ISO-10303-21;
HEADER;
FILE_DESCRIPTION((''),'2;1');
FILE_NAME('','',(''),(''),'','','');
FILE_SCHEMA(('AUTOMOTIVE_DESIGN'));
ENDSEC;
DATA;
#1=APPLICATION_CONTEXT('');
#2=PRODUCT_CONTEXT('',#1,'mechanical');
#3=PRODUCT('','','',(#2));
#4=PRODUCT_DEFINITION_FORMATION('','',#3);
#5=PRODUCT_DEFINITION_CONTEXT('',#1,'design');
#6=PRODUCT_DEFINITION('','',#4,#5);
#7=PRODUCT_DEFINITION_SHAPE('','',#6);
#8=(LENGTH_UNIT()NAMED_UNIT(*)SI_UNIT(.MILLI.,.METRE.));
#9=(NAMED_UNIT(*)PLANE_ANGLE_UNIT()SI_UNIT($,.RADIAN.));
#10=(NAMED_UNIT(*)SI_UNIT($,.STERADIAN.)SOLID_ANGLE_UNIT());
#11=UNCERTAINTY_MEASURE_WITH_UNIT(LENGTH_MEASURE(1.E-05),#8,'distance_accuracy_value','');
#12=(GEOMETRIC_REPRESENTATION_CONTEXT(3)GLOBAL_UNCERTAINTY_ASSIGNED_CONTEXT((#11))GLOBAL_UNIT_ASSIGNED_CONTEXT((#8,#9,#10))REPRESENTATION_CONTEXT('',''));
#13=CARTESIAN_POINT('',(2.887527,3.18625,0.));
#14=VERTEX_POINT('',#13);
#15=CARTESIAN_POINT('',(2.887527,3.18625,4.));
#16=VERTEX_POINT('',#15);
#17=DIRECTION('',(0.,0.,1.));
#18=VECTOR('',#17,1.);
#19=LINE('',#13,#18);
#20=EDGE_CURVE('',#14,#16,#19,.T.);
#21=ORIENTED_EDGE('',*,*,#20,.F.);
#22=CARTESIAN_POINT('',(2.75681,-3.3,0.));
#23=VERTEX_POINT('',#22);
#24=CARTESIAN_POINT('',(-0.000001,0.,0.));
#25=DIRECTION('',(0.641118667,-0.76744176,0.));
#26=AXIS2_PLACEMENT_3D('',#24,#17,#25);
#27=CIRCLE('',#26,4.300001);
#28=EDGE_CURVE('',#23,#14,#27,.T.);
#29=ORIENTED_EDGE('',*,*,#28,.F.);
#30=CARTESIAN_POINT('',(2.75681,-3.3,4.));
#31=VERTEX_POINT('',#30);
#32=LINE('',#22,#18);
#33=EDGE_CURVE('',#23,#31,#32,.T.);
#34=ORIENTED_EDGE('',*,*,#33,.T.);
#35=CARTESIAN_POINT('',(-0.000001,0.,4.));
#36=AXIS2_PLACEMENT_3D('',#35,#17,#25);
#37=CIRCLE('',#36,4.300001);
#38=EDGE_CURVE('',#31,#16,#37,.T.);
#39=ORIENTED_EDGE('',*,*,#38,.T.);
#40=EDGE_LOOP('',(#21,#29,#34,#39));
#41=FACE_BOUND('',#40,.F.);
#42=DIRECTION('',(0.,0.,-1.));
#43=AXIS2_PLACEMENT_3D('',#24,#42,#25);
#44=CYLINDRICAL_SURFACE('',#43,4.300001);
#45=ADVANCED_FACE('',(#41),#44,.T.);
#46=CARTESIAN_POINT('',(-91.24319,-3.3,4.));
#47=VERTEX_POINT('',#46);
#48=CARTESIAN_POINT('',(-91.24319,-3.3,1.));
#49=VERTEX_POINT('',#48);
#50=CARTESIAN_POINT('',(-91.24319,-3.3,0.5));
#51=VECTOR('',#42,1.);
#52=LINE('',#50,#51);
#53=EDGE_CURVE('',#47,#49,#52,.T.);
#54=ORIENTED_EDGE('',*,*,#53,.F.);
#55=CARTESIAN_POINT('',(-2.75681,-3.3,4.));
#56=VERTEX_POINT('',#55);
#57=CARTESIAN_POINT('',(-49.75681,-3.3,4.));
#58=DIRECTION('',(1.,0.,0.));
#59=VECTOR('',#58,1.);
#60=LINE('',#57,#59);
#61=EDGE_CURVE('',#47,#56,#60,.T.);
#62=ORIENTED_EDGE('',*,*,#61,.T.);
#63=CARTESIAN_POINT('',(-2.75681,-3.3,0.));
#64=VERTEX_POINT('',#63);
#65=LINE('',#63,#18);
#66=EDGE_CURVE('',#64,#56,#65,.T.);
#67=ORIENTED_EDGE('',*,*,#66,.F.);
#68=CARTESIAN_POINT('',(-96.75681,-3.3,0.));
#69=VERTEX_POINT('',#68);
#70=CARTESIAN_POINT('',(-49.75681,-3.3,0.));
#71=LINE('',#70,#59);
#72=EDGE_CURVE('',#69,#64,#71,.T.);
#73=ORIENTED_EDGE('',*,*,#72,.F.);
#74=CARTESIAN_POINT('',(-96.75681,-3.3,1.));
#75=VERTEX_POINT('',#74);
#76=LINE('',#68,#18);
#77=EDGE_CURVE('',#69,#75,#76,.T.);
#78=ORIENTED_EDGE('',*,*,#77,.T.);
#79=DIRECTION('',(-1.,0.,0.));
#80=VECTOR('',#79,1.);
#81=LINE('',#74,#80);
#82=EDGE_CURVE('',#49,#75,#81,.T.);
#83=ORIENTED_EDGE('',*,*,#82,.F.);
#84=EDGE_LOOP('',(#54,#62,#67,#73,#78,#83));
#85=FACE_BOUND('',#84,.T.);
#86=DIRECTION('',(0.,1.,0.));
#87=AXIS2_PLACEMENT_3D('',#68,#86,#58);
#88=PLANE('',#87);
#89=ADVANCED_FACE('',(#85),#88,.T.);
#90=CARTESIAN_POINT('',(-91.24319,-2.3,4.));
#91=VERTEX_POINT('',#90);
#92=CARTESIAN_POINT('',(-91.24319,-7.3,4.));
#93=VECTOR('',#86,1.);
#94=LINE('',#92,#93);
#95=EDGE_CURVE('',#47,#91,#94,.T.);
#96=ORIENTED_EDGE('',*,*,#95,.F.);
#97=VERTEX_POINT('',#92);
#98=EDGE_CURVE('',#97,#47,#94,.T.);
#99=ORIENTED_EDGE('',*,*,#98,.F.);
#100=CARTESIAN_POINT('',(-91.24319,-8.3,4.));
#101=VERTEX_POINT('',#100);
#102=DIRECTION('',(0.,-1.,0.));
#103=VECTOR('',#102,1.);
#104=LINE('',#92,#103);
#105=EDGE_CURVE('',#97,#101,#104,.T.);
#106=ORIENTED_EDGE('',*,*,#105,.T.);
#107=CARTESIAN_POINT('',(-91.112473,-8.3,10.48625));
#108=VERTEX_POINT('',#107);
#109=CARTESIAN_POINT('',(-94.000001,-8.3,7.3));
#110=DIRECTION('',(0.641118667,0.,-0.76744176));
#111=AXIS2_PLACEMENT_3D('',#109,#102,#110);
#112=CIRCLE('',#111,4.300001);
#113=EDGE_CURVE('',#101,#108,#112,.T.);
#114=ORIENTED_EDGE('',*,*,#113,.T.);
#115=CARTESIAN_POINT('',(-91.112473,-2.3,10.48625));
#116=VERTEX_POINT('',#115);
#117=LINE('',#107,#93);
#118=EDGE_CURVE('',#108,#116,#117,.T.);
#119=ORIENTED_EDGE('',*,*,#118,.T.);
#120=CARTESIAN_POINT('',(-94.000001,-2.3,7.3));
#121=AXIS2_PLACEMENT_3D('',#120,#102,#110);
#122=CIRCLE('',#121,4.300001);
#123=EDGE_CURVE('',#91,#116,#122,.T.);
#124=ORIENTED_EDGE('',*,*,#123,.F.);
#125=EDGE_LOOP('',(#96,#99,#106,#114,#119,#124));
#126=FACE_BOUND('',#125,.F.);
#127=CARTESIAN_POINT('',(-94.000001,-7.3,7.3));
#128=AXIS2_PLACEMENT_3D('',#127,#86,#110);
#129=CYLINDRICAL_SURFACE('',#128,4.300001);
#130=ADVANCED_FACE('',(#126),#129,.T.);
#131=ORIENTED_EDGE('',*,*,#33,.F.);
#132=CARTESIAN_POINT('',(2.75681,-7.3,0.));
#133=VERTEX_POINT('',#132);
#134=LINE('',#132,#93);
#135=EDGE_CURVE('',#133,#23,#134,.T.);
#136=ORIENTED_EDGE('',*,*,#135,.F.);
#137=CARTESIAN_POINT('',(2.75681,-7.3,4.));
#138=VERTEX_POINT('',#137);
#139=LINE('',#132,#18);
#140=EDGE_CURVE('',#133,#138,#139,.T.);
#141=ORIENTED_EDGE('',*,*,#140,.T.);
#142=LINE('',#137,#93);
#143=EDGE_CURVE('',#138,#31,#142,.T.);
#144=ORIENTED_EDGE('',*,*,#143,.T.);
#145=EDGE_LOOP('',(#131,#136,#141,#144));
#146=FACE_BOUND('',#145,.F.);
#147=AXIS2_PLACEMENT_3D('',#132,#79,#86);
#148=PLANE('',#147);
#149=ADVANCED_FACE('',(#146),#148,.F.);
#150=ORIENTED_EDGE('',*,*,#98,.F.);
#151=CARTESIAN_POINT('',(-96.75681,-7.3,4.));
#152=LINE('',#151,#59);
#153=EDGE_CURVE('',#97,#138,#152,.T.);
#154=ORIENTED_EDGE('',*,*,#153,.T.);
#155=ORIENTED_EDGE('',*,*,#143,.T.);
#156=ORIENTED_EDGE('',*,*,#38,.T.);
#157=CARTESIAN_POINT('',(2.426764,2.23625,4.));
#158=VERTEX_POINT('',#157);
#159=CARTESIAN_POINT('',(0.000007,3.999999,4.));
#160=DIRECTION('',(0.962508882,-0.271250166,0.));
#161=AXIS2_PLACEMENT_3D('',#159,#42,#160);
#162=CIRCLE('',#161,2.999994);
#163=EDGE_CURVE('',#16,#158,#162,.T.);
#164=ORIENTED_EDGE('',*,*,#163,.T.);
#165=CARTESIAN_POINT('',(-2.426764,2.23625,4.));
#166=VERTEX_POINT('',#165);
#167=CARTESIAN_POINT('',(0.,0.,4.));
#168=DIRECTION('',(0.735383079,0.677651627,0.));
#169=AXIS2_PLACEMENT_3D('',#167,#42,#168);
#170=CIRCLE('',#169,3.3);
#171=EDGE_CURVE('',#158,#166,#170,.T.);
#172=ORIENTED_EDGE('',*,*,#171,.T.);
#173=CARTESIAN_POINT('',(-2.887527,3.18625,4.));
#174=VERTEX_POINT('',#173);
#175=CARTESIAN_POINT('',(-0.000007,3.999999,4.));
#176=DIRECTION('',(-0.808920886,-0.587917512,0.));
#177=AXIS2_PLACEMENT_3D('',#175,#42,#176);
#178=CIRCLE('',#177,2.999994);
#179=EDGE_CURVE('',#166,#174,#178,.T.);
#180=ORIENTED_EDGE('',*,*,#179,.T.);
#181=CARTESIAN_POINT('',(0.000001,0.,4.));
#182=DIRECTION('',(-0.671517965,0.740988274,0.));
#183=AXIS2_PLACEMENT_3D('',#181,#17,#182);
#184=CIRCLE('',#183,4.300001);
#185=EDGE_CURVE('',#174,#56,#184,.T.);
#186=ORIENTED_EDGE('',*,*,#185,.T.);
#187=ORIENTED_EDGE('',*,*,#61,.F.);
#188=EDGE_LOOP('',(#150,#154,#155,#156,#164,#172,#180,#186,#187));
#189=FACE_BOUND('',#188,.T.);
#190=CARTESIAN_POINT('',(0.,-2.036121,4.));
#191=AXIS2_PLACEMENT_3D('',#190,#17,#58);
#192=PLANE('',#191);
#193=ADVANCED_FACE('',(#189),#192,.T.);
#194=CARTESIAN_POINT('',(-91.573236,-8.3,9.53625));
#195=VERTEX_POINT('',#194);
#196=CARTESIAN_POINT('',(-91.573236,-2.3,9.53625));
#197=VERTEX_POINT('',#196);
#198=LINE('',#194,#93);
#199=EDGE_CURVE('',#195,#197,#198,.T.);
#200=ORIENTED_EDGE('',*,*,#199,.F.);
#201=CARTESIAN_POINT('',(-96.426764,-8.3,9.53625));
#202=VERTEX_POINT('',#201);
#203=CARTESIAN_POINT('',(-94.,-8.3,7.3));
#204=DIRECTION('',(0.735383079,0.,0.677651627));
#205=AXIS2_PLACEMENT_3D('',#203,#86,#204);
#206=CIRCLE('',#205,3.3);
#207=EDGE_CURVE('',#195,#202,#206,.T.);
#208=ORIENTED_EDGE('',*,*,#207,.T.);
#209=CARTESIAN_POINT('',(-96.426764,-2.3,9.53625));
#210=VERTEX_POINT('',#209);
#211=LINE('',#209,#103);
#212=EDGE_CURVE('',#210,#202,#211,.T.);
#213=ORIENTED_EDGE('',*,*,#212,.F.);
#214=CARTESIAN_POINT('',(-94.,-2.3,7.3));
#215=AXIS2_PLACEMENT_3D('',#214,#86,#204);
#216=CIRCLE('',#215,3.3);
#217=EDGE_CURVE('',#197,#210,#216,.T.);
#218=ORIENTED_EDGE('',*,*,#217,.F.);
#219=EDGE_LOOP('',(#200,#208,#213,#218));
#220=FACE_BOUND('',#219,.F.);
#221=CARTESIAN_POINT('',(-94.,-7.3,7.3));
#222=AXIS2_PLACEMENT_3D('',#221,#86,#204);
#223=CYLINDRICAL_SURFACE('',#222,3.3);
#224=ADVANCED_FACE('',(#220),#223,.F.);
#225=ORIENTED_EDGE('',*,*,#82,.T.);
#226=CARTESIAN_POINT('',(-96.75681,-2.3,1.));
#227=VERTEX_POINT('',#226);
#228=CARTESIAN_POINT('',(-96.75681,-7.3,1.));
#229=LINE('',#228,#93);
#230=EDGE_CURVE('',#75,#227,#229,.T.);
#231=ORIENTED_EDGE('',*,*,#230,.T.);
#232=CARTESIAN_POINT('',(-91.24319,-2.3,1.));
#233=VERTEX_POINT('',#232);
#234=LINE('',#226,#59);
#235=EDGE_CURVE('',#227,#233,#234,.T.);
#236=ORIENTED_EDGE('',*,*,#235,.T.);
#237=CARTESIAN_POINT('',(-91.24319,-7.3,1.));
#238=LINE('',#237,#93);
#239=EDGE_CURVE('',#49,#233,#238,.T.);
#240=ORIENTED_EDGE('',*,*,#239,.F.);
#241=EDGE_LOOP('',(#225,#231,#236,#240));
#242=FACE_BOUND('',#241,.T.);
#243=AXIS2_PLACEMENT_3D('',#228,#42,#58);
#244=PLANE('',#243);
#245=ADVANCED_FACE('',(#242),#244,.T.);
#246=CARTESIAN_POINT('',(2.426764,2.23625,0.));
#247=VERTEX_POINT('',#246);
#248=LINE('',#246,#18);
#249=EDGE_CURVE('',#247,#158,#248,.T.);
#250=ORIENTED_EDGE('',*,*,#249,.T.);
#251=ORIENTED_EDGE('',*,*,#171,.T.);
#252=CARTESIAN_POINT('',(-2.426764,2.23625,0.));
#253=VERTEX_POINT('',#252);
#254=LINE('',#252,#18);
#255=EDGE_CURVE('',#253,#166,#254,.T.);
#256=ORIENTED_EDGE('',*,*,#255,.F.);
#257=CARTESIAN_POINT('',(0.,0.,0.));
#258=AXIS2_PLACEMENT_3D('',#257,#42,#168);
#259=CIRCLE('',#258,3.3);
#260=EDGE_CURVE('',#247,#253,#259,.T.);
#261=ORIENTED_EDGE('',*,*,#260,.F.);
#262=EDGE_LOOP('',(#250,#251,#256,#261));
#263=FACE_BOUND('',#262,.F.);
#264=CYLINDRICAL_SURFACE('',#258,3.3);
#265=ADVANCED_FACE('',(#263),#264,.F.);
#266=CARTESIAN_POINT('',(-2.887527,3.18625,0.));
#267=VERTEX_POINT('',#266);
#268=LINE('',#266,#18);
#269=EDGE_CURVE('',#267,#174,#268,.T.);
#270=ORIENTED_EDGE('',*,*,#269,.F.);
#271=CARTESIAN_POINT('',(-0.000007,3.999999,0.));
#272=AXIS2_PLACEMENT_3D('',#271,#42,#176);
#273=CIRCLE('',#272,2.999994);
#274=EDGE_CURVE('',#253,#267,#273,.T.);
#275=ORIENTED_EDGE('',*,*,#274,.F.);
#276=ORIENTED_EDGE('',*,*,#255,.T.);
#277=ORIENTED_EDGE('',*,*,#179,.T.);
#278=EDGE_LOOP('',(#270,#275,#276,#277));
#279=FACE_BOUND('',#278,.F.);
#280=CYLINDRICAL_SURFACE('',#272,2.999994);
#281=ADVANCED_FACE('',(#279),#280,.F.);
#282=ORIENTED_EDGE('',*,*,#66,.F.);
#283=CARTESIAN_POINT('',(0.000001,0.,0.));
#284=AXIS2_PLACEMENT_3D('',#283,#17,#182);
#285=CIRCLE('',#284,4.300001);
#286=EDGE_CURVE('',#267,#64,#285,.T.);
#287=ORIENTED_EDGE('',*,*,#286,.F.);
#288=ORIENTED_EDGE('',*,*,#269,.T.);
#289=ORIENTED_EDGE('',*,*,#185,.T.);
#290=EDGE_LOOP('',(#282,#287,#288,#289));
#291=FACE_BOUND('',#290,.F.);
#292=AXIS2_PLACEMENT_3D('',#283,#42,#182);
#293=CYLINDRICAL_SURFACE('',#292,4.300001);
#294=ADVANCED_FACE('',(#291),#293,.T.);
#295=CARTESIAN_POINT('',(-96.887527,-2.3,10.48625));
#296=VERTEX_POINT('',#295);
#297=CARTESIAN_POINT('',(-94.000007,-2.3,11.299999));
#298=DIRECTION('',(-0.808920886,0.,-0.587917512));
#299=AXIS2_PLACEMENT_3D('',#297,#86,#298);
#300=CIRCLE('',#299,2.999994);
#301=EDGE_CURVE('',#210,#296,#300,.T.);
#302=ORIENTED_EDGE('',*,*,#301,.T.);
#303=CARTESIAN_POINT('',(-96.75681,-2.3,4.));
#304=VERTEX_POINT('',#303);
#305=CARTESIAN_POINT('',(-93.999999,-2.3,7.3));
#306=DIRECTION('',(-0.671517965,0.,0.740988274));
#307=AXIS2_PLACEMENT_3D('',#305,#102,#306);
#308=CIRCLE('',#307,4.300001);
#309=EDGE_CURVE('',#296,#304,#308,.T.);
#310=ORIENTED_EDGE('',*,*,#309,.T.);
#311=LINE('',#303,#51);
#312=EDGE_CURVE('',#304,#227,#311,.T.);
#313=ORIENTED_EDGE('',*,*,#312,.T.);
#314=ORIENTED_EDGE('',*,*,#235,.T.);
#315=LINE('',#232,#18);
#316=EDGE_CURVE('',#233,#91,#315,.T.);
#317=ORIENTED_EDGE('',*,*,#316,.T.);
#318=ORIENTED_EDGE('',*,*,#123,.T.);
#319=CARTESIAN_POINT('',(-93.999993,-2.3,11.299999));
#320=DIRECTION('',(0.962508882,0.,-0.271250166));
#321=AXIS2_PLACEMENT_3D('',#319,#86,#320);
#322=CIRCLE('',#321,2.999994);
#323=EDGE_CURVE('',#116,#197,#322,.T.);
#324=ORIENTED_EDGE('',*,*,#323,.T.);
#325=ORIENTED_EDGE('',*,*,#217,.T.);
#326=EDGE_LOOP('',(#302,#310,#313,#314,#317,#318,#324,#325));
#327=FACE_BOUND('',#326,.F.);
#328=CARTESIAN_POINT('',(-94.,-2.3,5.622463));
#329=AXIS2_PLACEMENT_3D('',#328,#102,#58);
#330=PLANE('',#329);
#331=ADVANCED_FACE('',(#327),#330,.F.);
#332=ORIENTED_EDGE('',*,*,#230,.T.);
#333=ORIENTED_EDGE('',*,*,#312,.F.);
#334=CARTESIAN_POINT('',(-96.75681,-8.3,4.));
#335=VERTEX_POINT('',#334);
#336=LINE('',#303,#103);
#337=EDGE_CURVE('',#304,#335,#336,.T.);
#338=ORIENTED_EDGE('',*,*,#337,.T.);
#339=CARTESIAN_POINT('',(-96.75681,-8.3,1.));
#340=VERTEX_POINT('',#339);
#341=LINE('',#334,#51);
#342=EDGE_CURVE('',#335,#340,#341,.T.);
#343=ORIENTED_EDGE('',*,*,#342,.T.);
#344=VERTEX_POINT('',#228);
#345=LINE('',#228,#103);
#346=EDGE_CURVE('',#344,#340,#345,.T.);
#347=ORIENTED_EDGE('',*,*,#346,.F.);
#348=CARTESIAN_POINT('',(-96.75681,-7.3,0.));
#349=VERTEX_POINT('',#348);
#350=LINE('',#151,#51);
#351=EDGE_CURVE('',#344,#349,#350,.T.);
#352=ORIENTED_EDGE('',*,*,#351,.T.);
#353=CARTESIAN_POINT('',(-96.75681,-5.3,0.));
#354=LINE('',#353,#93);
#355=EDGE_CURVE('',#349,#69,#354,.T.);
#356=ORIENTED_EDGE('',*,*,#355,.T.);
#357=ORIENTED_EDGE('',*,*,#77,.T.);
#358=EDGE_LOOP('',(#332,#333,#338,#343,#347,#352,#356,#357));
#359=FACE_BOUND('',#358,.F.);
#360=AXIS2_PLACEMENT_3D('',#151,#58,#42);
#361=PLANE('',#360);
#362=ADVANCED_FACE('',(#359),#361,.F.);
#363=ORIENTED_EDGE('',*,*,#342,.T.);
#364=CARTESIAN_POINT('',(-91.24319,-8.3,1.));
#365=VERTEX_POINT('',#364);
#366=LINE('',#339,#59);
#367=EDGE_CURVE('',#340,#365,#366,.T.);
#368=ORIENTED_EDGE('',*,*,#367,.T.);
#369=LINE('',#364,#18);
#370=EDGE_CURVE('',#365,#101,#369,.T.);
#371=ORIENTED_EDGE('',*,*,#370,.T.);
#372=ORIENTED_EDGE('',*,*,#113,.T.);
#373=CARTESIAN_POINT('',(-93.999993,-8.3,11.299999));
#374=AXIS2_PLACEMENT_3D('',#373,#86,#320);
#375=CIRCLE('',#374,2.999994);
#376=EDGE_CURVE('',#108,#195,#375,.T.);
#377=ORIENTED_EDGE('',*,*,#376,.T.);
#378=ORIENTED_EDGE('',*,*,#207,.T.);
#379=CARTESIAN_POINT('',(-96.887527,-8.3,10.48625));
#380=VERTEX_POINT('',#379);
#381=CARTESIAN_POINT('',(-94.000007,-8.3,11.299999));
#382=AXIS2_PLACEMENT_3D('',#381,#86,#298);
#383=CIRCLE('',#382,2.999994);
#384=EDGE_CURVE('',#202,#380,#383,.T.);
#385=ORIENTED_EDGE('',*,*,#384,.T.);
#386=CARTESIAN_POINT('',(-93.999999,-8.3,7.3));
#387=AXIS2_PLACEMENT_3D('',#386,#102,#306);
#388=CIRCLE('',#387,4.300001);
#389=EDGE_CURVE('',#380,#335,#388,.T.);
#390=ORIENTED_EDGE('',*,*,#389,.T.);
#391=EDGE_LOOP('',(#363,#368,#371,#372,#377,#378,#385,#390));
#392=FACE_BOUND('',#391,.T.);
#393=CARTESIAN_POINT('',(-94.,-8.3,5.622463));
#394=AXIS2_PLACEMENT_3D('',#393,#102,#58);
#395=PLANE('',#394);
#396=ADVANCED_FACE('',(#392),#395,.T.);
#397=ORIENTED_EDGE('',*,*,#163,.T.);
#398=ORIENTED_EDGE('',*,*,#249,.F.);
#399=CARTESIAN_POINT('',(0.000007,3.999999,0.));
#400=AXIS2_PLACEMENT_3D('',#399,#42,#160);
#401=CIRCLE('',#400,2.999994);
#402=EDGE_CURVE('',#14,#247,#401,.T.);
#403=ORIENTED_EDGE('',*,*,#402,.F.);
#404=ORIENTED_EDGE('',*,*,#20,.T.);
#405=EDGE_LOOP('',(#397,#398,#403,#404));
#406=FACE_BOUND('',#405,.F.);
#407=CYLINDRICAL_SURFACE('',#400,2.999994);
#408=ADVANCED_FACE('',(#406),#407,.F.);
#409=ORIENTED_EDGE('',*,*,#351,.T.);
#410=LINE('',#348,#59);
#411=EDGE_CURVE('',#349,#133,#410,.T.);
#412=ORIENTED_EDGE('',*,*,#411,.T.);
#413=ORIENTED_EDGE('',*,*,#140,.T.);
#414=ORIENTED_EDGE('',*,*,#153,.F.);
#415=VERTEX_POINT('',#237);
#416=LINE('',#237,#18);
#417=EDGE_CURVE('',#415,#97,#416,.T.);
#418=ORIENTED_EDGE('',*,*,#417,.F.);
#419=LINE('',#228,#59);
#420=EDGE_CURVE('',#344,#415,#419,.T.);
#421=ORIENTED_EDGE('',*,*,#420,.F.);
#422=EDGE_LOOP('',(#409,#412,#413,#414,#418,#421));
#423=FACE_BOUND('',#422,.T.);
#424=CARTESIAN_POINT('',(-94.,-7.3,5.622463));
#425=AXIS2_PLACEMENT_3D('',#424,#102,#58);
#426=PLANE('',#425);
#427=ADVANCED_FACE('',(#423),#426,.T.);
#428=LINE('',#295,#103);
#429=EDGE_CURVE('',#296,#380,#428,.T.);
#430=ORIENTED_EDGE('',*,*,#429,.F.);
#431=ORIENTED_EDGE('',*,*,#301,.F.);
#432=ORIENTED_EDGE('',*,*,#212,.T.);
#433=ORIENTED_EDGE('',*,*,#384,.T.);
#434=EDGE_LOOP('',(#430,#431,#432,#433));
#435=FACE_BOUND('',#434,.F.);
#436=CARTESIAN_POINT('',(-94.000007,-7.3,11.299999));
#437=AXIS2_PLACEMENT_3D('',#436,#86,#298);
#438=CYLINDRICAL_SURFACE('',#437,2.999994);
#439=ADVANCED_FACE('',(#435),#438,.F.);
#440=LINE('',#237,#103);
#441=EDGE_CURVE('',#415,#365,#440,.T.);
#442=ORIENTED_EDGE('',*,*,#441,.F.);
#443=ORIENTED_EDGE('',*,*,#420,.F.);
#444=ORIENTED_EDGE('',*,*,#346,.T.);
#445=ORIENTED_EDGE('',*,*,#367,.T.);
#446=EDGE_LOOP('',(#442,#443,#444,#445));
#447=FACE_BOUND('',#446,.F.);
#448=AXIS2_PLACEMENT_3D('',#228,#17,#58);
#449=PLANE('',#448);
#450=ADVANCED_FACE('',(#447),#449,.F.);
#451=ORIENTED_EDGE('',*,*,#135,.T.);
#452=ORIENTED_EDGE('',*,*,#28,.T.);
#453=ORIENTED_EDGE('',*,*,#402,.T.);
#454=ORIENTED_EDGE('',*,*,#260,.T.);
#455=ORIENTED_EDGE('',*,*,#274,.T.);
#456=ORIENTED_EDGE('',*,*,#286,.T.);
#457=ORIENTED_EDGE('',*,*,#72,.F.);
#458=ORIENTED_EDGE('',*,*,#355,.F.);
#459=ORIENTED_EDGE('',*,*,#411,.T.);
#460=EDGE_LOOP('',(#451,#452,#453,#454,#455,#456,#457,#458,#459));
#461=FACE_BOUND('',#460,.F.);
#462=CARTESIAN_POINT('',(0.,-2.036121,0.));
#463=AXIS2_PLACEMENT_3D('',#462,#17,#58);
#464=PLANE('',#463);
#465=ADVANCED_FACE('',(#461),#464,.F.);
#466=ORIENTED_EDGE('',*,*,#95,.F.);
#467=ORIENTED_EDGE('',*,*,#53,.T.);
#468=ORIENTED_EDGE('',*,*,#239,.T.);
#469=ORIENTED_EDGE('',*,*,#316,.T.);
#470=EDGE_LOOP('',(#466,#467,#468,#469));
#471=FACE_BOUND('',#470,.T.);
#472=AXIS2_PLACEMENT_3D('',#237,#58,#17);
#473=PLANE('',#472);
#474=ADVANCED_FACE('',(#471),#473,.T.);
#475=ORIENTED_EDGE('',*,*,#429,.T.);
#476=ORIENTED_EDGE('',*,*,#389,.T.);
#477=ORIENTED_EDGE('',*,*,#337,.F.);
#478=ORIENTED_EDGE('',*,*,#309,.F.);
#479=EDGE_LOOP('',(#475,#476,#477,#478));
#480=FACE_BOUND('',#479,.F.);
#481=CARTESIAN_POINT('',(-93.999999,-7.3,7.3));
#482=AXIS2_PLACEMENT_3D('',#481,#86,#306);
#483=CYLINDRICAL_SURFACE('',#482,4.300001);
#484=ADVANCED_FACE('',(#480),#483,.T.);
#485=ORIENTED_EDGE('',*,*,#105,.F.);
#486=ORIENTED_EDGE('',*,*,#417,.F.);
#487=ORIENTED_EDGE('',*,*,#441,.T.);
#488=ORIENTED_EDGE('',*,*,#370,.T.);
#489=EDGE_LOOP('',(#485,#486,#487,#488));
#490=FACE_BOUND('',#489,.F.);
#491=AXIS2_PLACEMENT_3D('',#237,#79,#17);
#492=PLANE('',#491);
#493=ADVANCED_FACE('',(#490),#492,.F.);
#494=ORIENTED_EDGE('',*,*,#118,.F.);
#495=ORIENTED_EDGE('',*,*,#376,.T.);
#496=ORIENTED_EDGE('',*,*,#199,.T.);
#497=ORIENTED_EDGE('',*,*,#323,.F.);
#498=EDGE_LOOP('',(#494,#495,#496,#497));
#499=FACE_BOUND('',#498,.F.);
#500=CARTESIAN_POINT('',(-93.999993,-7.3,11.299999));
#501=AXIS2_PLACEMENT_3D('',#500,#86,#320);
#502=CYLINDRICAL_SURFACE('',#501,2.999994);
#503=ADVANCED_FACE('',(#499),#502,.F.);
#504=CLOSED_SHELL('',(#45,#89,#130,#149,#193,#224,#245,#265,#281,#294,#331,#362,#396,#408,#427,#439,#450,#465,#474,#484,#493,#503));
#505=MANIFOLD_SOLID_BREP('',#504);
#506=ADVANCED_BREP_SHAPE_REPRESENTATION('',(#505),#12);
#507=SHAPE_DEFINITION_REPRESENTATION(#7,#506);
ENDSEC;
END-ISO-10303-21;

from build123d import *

# Parameters (mm, degrees)
F0_W     = 94
F0_H     = 4
F1_DEPTH = 4
F3_DEPTH = 5
F4_DEPTH = 1


with BuildPart() as f1:
    # F0 (on Top) → F1 (new body)
    with BuildSketch(Plane.XY):
        with BuildLine():
            ThreePointArc((2.426764, 2.23625), (0, -3.3), (-2.426764, 2.23625))
            ThreePointArc((-2.426764, 2.23625), (-2.699268, 2.69082), (-2.887527, 3.18625))
            ThreePointArc((-2.887527, 3.18625), (-4.299127, -0.08664), (-2.75681, -3.3))
            Line((-2.75681, -3.3), (-2.75681, -7.3))
            Line((-2.75681, -7.3), (2.75681, -7.3))
            Line((2.75681, -7.3), (2.75681, -3.3))
            ThreePointArc((2.75681, -3.3), (4.299127, -0.08664), (2.887527, 3.18625))
            ThreePointArc((2.887527, 3.18625), (2.699268, 2.69082), (2.426764, 2.23625))
        make_face()
        with Locations((-49.75681, -5.3)):
            Rectangle(F0_W, F0_H)
    extrude(amount=F1_DEPTH)

    # F2 (on face) → F3 (join)
    with BuildSketch(Plane.XZ.offset(7.3)):
        with BuildLine():
            ThreePointArc((-91.573236, 9.53625), (-94, 4), (-96.426764, 9.53625))
            ThreePointArc((-96.426764, 9.53625), (-96.699268, 9.99082), (-96.887527, 10.48625))
            ThreePointArc((-96.887527, 10.48625), (-98.299127, 7.21336), (-96.75681, 4))
            Line((-96.75681, 4), (-96.75681, 1))
            Line((-96.75681, 1), (-91.24319, 1))
            Line((-91.24319, 1), (-91.24319, 4))
            ThreePointArc((-91.24319, 4), (-89.700873, 7.21336), (-91.112473, 10.48625))
            ThreePointArc((-91.112473, 10.48625), (-91.300732, 9.99082), (-91.573236, 9.53625))
        make_face()
    extrude(amount=-F3_DEPTH)

    # F2 (on face) → F4 (join)
    with BuildSketch(Plane.XZ.offset(7.3)):
        with BuildLine():
            ThreePointArc((-91.573236, 9.53625), (-94, 4), (-96.426764, 9.53625))
            ThreePointArc((-96.426764, 9.53625), (-96.699268, 9.99082), (-96.887527, 10.48625))
            ThreePointArc((-96.887527, 10.48625), (-98.299127, 7.21336), (-96.75681, 4))
            Line((-96.75681, 4), (-96.75681, 1))
            Line((-96.75681, 1), (-91.24319, 1))
            Line((-91.24319, 1), (-91.24319, 4))
            ThreePointArc((-91.24319, 4), (-89.700873, 7.21336), (-91.112473, 10.48625))
            ThreePointArc((-91.112473, 10.48625), (-91.300732, 9.99082), (-91.573236, 9.53625))
        make_face()
    extrude(amount=F4_DEPTH)


solid = f1.part
